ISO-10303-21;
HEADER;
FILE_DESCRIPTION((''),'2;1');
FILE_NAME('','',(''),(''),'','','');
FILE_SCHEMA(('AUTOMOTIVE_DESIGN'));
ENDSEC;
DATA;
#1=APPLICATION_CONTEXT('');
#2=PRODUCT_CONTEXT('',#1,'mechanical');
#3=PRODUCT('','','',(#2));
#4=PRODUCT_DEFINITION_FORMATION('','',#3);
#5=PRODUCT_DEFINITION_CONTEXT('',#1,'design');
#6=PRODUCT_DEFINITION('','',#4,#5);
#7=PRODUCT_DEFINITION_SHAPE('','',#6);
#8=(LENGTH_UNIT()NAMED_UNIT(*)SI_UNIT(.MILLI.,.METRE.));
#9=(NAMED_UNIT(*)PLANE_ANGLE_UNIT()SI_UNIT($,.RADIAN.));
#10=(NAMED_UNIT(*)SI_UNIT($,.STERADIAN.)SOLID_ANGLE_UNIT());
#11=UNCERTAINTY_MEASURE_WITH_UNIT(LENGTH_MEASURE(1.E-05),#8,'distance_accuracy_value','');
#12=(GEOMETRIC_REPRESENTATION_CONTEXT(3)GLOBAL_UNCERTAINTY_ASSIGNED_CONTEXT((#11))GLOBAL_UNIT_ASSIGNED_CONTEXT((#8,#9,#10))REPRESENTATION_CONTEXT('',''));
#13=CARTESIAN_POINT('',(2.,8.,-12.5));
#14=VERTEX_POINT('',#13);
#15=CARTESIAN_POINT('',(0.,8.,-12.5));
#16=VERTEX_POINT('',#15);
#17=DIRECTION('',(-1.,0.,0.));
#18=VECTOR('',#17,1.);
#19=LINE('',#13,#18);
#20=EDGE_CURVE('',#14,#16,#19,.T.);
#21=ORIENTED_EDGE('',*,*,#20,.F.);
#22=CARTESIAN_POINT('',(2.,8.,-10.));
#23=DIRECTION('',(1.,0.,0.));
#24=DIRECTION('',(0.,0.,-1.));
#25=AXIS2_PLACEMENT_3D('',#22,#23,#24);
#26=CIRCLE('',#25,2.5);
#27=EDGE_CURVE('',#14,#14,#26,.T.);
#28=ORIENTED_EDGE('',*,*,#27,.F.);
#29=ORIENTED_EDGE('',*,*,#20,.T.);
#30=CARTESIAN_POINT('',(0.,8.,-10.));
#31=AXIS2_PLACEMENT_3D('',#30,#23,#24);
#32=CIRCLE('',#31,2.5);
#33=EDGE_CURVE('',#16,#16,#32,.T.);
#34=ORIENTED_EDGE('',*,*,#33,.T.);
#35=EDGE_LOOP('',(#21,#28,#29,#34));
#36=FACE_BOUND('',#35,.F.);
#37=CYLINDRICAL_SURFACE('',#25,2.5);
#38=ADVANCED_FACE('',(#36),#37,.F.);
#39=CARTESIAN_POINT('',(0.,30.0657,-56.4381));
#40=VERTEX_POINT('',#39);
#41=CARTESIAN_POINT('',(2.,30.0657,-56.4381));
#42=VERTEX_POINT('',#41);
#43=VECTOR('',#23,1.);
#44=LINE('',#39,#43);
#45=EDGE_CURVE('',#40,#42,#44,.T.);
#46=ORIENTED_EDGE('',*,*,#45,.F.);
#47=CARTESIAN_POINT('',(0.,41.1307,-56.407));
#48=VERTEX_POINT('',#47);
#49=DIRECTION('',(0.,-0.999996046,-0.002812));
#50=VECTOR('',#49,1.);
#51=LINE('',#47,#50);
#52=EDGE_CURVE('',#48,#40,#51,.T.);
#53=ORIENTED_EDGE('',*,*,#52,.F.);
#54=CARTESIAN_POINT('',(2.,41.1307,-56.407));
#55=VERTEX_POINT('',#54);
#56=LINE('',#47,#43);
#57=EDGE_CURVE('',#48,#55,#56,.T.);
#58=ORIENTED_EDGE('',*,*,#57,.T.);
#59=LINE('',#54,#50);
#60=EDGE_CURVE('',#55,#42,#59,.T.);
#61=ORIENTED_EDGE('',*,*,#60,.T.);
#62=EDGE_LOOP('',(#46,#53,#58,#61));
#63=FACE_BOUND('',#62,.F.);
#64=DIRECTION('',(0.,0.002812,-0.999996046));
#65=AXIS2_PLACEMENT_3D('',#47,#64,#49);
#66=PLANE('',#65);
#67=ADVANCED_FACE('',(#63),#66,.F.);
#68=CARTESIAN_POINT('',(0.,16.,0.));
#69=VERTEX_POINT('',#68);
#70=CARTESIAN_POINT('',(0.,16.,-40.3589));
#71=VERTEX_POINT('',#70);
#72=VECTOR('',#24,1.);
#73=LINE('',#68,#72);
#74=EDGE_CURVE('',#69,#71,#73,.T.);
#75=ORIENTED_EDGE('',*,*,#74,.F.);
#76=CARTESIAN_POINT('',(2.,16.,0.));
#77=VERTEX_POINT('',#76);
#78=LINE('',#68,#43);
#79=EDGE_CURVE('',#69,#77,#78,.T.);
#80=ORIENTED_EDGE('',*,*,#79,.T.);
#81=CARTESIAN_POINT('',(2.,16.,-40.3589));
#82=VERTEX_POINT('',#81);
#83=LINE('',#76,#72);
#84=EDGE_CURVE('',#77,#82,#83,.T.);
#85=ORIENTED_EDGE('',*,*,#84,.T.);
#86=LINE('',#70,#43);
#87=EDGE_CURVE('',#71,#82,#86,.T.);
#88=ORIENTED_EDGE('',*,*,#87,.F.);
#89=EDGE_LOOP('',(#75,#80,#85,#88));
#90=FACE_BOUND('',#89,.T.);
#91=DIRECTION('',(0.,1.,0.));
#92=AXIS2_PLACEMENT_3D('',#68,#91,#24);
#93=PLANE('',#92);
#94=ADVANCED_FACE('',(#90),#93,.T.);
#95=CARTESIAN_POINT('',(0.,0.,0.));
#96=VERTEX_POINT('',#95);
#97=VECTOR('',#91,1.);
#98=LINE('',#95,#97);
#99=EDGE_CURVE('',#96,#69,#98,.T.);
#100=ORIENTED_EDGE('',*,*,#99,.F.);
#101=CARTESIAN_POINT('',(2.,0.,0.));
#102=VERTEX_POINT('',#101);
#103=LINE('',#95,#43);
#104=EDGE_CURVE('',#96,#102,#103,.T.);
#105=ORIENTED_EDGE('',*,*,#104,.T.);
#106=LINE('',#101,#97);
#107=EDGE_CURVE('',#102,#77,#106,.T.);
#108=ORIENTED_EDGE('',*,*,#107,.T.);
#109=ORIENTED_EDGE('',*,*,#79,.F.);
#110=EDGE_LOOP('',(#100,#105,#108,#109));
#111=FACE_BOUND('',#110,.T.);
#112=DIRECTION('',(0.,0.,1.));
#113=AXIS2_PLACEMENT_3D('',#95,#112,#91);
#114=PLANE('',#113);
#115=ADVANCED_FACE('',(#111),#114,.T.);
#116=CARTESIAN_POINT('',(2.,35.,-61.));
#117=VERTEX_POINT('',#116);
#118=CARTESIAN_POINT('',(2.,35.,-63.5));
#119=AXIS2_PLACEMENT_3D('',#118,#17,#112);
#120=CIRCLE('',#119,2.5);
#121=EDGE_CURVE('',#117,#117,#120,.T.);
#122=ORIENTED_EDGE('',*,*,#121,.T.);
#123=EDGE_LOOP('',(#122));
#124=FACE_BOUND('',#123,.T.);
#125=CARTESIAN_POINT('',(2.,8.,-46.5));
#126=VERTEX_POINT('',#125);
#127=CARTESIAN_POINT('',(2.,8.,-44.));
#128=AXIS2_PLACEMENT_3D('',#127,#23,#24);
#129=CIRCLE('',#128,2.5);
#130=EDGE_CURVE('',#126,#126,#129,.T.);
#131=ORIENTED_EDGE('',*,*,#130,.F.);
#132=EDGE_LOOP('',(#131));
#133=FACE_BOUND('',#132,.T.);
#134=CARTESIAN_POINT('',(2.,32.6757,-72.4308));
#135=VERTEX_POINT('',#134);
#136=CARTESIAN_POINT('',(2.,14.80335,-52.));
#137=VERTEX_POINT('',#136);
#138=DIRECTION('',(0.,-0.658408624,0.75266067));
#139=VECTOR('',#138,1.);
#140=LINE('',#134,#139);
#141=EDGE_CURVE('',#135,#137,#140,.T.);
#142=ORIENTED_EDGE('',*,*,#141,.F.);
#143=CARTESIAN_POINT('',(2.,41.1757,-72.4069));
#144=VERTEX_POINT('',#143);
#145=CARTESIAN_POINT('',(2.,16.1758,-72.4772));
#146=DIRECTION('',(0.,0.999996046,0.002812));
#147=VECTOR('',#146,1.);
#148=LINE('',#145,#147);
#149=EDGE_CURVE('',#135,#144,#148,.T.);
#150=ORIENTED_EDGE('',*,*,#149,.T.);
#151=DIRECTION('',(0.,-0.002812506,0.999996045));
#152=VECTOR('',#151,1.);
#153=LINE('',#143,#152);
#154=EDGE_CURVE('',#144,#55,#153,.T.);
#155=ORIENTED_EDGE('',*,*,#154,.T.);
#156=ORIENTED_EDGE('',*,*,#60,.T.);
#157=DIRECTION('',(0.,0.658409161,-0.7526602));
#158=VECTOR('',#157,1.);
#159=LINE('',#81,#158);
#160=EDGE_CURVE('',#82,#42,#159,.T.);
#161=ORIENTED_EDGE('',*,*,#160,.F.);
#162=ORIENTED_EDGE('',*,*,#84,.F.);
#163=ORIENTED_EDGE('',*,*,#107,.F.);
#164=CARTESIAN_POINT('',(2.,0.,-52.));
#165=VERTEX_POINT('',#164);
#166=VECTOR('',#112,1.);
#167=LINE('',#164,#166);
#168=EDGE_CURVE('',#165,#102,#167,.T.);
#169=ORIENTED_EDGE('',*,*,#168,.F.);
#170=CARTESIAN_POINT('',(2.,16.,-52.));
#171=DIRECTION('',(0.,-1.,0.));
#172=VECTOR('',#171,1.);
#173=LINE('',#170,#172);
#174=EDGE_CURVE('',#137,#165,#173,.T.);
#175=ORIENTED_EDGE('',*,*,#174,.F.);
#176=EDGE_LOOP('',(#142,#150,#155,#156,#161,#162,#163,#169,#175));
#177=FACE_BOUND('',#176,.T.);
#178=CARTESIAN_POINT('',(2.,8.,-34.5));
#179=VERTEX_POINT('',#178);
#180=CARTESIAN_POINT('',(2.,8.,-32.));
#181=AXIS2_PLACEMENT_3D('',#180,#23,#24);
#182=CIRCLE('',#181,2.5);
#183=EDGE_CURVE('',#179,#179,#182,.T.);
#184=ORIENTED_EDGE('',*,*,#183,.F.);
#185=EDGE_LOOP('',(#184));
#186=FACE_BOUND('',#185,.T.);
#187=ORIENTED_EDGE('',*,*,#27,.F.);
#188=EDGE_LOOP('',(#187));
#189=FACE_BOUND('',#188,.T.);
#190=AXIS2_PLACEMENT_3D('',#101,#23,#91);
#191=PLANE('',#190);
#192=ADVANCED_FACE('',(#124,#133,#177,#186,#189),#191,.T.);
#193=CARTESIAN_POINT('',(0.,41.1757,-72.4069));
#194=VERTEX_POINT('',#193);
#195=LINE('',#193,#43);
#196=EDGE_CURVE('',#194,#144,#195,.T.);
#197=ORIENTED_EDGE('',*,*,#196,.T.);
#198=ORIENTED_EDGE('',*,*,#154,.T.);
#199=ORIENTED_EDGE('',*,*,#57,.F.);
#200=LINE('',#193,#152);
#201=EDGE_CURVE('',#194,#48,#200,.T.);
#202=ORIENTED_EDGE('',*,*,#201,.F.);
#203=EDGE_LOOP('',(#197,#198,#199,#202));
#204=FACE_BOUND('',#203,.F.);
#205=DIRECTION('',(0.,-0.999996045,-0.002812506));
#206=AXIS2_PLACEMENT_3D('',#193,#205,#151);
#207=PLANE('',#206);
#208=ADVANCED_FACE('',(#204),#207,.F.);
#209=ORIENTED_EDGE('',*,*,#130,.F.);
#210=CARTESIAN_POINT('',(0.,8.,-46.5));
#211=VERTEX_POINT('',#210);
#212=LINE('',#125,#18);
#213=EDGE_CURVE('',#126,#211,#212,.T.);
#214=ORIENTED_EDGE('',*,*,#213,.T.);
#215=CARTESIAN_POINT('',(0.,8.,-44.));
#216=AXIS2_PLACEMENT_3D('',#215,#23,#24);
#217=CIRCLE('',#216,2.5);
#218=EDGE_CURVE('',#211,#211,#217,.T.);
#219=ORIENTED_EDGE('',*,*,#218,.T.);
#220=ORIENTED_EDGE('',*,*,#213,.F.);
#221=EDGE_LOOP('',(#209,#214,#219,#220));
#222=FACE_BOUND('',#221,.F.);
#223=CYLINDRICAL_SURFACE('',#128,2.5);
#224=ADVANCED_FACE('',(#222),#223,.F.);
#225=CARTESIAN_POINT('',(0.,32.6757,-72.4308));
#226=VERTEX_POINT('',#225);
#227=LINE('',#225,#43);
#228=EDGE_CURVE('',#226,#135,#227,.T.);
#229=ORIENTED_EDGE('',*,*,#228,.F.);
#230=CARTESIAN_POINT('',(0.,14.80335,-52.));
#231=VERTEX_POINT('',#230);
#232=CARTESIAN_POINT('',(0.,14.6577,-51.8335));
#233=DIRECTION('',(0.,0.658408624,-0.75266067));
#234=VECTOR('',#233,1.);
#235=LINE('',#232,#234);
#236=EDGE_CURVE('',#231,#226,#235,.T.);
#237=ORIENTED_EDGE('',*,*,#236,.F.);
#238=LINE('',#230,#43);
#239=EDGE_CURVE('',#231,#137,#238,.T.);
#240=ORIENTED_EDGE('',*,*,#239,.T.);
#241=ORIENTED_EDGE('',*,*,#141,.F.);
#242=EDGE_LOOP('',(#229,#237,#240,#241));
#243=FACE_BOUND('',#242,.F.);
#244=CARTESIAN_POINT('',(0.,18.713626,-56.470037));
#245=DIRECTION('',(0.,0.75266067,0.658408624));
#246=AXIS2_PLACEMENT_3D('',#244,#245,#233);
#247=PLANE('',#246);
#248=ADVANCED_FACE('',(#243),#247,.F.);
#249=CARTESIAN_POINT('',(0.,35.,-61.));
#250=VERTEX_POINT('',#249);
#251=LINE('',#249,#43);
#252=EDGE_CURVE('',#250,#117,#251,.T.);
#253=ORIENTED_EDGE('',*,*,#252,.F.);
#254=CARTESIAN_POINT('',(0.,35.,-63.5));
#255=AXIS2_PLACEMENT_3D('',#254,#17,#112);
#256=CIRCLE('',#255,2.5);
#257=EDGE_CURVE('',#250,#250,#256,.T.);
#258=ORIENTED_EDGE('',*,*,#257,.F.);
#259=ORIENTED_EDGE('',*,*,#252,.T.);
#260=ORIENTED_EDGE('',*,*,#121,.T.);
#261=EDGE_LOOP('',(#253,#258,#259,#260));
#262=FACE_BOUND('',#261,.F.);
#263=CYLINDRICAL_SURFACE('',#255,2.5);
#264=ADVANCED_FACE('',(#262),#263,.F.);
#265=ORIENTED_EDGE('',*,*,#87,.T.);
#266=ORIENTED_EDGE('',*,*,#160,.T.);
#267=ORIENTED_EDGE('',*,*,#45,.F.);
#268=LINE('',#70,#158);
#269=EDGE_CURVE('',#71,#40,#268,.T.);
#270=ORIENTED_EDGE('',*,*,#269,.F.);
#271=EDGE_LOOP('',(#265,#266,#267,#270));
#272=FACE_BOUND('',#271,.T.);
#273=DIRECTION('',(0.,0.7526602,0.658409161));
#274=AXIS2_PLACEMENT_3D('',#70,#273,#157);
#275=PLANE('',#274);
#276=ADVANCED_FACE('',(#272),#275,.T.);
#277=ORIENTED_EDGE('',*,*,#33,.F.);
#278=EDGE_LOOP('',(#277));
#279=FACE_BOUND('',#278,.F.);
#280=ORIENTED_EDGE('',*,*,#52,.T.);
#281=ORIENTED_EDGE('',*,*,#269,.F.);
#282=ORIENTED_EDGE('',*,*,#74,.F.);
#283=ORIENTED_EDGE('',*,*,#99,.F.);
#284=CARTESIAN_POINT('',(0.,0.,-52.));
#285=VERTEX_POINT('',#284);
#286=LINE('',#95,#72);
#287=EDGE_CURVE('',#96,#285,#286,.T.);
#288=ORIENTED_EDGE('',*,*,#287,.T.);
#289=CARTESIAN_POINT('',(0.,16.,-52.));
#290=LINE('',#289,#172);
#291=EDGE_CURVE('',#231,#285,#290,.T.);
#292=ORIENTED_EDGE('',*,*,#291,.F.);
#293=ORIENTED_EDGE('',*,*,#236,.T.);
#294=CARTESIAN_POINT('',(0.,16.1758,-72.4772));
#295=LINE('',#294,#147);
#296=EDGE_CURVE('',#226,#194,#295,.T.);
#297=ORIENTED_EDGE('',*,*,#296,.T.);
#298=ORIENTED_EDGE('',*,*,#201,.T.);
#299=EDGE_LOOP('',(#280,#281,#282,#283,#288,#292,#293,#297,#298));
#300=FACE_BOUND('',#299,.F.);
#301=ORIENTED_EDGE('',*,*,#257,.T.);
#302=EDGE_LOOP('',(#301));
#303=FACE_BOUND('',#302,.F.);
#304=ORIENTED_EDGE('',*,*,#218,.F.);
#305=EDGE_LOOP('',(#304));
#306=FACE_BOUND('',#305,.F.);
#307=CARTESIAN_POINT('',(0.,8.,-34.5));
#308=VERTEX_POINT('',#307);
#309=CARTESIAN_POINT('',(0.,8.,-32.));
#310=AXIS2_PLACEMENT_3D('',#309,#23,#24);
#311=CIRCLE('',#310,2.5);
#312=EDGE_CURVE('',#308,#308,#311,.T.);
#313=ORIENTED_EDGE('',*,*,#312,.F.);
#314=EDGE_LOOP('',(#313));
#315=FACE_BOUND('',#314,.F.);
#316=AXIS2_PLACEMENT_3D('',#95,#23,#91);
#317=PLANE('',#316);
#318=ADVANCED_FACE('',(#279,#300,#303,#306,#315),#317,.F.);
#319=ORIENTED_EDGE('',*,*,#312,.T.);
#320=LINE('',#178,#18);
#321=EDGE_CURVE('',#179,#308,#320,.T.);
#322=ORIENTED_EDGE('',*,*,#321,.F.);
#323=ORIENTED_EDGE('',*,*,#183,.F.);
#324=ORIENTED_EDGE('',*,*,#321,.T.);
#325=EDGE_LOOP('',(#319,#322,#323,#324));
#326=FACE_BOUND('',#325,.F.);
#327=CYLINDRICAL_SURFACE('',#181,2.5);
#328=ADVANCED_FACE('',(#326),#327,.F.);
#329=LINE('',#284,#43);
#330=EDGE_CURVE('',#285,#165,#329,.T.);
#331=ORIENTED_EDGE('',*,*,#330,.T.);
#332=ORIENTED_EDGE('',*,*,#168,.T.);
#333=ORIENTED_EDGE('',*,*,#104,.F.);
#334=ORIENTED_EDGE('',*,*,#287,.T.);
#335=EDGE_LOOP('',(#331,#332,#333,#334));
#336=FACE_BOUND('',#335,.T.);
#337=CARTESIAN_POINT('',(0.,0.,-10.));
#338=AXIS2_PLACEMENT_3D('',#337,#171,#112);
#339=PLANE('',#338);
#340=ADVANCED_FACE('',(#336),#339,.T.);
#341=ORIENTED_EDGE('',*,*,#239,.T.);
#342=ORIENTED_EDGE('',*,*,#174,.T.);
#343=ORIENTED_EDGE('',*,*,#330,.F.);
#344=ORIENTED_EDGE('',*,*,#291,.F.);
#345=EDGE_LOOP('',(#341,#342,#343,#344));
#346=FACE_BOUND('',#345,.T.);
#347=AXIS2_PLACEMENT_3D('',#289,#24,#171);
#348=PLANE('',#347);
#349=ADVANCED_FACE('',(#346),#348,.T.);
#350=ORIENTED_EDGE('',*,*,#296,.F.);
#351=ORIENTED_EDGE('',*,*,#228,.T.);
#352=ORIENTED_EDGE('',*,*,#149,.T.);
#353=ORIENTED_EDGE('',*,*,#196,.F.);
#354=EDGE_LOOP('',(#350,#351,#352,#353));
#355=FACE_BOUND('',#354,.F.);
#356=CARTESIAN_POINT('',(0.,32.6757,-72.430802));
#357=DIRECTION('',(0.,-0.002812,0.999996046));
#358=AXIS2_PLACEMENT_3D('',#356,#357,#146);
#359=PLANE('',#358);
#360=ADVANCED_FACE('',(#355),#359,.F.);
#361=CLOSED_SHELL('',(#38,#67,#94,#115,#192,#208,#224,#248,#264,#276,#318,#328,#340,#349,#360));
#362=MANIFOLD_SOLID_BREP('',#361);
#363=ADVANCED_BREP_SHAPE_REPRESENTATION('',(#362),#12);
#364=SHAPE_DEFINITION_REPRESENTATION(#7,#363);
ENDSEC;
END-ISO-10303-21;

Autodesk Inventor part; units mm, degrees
ref_plane "YZ Plane" through (0, 0, 0) normal (1, 0, 0) x (0, 1, 0)
ref_plane "XZ Plane" through (0, 0, 0) normal (0, 1, 0) x (-1, 0, 0)
ref_plane "XY Plane" through (0, 0, 0) normal (0, 0, 1) x (1, 0, 0)
sketch "Sketch1" plane through (0, 0, 0) normal (1, 0, 0) x (0, 1, 0)
  line L0 (0, 0) -> (16, 0)
  line L1 (16, 0) -> (16, -52)
  line L2 (16, -52) -> (0, -52)
  line L3 (0, -10) -> (0, -10)
  line L4 (0, -10) -> (0, -25)
  line L5 (0, -25) -> (0, -25)
  line L6 (0, -42) -> (0, -42)
  line L7 (0, -42) -> (0, -27)
  line L8 (0, -27) -> (0, -27)
  line L9 (0, -10) -> (0, 0)
  line L10 (0, -52) -> (0, -42)
  line L11 (0, -27) -> (0, -25)
  dimension "d0" = 16
  dimension "d1" = 52
  dimension "d2" = 0
  dimension "d3" = 15
  dimension "d4" = 10
  dimension "d5" = 15
  dimension "d6" = 10
  dimension "d10" = 0
  dimension "d11" = 0
  dimension "d12" = 0
extrude "Extrusion1" add sketch "Sketch1" along normal blind 2
sketch "Sketch3" plane through (2, 0, 0) normal (1, 0, 0) x (0, 0, -1)
  circle A0 centre (10, 8) radius 2.5
  circle A1 centre (32, 8) radius 2.5
  circle A2 centre (44, 8) radius 2.5
  line L0 (0, 16) -> (0, 0) projected
  line L1 (52, 16) -> (0, 16) projected
  dimension "d18" = 5
  dimension "d19" = 5
  dimension "d20" = 5
  dimension "d21" = 10
  dimension "d22" = 8
  dimension "d23" = 8
  dimension "d24" = 22
  dimension "d25" = 8
  dimension "d26" = 12
extrude "Extrusion3" cut sketch "Sketch3" against normal blind 10
sketch "Sketch4" plane through (0, 0, 0) normal (-1, 0, 0) x (0, 0, 1)
  circle A0 centre (-63.5, 35) radius 2.5 projected
  circle A1 centre (-77, 8) radius 1.5 projected
  circle A2 centre (-65, 8) radius 1.5 projected
  line L0 (-58, -1) -> (-58, 17) projected
  line L1 (-84, 17) -> (-58, 17) projected
  line L2 (-84, 17) -> (-84, -1) projected
  line L3 (-58, -1) -> (-84, -1) projected
  line L4 (-51.8335, 14.6577) -> (-40.3589, 16)
  line L5 (-52, 16) -> (0, 16) projected
  line L6 (-72.4772, 16.1758) -> (-72.4069, 41.1757) projected
  line L7 (-72.4069, 41.1757) -> (-56.407, 41.1307) projected
  line L8 (-56.407, 41.1307) -> (-56.4773, 16.1308) projected
  line L9 (-51.8335, 14.6577) -> (-72.4308, 32.6757)
  line L10 (-72.4069, 41.1757) -> (-56.407, 41.1307)
  line L11 (-56.407, 41.1307) -> (-56.4381, 30.0657)
  line L12 (-40.3589, 16) -> (-56.4381, 30.0657)
  point P0 (0, 0)
extrude "Extrusion4" add sketch "Sketch4" against normal blind 2 contours L6 L7 L8 L9 | L8 L12 L4 L9
properties part number "Mounting_wall"
